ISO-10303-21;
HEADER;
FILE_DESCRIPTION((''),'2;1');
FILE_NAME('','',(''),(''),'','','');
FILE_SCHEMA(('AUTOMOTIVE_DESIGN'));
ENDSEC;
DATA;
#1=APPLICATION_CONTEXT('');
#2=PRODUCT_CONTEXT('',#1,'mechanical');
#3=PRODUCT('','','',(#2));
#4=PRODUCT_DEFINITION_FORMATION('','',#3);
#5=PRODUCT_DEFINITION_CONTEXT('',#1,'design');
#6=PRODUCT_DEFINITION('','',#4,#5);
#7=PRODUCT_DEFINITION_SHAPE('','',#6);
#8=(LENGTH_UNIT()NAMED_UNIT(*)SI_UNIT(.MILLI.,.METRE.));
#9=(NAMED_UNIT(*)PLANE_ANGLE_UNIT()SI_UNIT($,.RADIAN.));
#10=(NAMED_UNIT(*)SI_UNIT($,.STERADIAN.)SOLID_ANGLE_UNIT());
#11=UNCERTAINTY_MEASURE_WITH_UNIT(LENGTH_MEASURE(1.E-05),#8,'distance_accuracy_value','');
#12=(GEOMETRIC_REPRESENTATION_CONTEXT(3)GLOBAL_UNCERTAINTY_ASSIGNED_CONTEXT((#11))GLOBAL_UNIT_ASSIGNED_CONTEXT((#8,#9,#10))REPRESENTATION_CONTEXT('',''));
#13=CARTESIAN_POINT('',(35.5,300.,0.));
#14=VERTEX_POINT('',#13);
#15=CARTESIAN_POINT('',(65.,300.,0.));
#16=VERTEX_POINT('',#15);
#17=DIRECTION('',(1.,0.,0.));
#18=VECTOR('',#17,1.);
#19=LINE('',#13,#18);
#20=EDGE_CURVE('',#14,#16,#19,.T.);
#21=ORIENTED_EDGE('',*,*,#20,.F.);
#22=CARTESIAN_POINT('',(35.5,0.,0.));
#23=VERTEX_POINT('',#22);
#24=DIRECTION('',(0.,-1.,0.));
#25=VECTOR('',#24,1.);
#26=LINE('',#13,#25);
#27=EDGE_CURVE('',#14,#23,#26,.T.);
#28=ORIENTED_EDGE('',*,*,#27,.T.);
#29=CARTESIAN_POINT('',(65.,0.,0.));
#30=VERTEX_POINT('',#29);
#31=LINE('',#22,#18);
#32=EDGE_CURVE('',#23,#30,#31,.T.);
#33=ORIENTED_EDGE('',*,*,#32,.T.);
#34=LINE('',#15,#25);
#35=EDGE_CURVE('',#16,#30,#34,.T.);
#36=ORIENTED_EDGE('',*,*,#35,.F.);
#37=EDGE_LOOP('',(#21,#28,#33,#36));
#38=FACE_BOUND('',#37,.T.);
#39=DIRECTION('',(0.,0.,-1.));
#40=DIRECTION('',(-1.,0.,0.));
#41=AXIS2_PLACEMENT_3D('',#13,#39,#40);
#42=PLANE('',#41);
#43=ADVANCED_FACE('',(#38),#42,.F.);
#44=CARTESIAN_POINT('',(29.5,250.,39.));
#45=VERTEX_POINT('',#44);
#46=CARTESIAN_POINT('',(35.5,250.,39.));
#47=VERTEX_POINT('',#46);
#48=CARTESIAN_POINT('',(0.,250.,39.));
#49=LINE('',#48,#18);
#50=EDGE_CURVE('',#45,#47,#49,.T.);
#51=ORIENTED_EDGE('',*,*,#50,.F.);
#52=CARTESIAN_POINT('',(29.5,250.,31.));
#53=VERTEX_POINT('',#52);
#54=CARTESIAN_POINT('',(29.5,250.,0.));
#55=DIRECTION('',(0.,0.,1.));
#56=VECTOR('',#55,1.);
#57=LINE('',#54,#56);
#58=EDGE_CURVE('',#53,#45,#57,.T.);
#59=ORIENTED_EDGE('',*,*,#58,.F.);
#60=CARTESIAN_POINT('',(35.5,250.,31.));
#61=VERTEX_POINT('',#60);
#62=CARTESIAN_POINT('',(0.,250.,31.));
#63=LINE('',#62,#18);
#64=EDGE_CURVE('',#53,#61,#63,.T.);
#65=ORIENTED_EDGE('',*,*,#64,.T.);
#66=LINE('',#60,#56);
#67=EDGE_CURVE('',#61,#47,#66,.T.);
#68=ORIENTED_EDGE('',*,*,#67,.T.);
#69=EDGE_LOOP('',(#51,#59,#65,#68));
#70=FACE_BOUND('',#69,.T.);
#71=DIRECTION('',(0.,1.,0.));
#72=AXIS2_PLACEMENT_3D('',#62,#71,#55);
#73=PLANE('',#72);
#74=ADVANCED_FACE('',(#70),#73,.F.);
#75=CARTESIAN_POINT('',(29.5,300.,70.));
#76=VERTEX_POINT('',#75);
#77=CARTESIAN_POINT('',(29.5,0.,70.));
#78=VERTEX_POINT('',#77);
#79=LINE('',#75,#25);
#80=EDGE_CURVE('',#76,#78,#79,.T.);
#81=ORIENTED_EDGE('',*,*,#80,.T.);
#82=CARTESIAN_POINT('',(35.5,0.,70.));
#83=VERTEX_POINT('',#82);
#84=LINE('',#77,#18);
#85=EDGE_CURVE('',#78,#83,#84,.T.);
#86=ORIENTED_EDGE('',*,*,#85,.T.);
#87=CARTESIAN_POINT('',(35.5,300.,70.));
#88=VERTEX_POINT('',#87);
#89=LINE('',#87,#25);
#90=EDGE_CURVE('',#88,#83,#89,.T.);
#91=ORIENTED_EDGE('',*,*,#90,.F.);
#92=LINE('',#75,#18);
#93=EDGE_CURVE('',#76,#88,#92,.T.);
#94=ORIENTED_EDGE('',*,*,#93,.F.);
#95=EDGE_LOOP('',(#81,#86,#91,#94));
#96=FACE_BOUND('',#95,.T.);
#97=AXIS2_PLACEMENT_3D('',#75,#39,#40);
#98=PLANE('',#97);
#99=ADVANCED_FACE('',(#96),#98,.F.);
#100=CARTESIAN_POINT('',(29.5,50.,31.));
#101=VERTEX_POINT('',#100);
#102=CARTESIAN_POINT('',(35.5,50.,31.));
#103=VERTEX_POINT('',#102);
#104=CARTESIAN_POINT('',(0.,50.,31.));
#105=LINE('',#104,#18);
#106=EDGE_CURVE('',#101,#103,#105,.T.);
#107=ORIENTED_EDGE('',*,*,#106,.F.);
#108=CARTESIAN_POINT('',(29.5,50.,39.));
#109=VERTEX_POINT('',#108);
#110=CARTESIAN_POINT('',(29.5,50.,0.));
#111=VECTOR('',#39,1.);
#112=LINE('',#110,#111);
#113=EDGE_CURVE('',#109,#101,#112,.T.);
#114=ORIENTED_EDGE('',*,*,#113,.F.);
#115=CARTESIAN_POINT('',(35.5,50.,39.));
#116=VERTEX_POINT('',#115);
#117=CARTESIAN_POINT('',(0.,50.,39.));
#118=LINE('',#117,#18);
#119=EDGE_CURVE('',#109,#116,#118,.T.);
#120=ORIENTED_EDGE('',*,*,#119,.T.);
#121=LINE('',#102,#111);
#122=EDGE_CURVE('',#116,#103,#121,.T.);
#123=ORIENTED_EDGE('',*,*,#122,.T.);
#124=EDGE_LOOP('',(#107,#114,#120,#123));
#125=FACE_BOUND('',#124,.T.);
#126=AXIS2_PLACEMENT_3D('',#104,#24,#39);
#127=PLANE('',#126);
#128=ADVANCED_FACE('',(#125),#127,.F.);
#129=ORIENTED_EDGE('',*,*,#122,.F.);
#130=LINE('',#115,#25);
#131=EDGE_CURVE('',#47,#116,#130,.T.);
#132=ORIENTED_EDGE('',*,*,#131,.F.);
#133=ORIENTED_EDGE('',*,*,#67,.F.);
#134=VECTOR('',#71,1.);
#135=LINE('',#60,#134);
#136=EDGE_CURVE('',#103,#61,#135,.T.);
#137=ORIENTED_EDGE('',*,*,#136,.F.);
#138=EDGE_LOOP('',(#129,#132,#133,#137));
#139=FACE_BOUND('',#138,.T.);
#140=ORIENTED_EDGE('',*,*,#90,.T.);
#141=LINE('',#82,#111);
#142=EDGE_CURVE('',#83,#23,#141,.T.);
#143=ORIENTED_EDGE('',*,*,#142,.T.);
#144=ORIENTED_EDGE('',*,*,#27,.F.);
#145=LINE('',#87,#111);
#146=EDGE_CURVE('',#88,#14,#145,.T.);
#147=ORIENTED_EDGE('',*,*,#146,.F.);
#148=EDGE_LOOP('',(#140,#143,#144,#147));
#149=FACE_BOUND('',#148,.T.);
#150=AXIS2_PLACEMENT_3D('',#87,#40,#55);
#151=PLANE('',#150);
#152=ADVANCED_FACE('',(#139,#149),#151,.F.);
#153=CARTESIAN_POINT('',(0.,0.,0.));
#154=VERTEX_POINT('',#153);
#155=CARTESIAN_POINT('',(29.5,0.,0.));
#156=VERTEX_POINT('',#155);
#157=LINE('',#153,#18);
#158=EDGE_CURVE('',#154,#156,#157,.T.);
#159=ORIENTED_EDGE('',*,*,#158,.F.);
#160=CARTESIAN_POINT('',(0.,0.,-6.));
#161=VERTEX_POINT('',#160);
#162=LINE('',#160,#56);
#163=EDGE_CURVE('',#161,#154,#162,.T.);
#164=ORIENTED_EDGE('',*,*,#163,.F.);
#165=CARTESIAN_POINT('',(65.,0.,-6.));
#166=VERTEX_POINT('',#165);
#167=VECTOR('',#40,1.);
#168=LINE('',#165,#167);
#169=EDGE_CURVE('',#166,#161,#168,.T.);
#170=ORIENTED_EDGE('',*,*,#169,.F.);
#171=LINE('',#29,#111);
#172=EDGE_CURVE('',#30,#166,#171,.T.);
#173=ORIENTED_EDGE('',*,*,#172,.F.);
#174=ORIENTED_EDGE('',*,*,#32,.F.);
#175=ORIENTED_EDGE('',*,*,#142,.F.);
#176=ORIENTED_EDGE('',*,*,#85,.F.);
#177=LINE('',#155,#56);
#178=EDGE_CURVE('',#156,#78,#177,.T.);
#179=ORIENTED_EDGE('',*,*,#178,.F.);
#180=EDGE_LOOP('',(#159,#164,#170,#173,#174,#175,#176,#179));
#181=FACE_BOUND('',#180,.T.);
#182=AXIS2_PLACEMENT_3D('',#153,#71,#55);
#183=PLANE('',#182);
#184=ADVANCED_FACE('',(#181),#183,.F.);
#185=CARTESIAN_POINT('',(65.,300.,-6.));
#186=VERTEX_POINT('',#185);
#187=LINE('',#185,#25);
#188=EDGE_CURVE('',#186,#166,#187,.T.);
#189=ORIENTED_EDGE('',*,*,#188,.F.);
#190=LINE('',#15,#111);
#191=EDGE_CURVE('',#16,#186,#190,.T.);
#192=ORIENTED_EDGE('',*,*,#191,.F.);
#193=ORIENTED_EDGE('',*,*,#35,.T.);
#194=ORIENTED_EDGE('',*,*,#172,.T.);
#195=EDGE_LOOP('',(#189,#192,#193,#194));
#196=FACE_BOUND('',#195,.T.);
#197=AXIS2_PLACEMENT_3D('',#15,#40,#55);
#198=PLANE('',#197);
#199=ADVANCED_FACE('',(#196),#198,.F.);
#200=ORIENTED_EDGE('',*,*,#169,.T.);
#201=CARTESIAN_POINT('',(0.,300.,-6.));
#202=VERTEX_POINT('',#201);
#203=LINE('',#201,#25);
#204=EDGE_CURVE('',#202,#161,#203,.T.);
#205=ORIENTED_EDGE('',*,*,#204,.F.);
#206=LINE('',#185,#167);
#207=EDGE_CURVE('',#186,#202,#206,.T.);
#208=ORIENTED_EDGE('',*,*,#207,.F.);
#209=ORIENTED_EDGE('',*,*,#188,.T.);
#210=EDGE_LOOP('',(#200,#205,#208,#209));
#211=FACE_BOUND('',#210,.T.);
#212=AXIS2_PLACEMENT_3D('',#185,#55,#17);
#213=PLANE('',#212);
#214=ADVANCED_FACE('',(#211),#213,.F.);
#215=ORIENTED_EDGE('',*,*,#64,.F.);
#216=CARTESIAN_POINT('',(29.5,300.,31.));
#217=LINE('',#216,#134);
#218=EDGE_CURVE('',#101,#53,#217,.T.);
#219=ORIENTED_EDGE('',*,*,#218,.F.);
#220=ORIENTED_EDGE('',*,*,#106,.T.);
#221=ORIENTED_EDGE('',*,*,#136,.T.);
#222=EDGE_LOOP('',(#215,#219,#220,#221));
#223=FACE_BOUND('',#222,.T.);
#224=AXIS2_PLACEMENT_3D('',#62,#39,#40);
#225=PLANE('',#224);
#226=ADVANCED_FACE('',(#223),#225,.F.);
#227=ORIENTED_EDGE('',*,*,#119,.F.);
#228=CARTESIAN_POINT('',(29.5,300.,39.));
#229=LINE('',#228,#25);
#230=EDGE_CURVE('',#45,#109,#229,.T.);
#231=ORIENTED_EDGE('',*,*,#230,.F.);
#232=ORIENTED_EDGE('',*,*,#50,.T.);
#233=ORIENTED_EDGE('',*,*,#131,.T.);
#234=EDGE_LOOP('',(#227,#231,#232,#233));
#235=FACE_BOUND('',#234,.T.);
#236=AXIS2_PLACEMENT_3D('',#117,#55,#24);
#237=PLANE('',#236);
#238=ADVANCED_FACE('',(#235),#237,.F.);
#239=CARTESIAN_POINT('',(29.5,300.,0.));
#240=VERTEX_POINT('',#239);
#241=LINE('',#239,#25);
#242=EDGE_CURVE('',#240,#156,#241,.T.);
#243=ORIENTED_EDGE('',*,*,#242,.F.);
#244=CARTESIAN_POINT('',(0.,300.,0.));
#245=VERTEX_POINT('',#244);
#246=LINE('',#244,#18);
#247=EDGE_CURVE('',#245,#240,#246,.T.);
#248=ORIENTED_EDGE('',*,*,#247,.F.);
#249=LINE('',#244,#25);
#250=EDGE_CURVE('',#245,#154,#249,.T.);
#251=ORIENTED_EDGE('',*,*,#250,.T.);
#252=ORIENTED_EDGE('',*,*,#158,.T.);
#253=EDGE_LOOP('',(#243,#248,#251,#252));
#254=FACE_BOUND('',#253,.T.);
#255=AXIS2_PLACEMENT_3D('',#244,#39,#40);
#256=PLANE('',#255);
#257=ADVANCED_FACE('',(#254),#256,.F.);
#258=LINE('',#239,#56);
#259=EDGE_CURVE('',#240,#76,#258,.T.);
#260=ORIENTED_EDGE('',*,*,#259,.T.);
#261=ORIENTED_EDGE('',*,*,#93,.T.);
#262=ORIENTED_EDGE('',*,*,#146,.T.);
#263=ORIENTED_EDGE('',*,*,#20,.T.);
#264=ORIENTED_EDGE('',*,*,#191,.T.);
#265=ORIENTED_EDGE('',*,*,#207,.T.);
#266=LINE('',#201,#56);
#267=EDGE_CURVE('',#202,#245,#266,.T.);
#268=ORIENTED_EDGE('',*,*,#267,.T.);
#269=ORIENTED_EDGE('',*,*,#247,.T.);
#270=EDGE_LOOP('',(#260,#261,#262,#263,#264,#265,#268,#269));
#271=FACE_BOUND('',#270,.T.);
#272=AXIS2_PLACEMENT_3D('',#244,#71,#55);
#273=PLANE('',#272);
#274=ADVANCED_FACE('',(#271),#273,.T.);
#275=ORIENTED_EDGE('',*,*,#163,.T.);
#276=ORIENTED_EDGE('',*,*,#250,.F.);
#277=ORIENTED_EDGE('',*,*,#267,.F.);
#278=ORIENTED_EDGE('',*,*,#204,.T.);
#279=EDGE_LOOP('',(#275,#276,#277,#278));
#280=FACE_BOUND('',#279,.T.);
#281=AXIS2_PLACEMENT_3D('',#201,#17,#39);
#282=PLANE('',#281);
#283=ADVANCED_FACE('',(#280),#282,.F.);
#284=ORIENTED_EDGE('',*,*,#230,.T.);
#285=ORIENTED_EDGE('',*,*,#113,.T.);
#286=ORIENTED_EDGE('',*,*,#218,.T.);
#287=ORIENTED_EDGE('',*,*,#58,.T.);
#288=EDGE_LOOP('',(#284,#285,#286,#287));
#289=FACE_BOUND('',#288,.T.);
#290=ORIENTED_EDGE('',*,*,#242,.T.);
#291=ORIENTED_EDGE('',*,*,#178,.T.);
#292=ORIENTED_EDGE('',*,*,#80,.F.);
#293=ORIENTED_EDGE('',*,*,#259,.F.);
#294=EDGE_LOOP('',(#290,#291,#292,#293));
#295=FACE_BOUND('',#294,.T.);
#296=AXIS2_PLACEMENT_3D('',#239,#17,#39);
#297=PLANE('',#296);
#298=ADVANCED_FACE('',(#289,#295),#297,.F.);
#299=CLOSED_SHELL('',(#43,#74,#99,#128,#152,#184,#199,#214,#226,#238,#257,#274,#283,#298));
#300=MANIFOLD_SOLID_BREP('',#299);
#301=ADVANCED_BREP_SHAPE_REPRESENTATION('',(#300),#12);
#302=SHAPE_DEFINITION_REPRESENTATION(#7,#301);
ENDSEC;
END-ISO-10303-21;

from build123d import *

# Parameters (mm, degrees)
BOSS_EXTRUDE1_DEPTH = 300
SKETCH2_W           = 8
SKETCH2_H           = 200
CUT_EXTRUDE1_DEPTH  = 311.097162193


with BuildPart() as part:
    # Sketch1 → Boss-Extrude1 (new body)
    with BuildSketch(Plane(origin=(0, 0, 0), x_dir=(1, 0, 0), z_dir=(0, 1, 0))):
        Polygon((0, 0), (29.5, 0), (29.5, -70), (35.5, -70), (35.5, 0), (65, 0), (65, 6), (0, 6), align=None)
    extrude(amount=BOSS_EXTRUDE1_DEPTH)

    # Sketch2 → Cut-Extrude1 (cut, through all)
    with BuildSketch(Plane(origin=(35.5, 0, 0), x_dir=(0, 0, -1), z_dir=(1, 0, 0))):
        with Locations((-35, 150)):
            Rectangle(SKETCH2_W, SKETCH2_H)
    extrude(amount=-CUT_EXTRUDE1_DEPTH, mode=Mode.SUBTRACT)


solid = part.part
